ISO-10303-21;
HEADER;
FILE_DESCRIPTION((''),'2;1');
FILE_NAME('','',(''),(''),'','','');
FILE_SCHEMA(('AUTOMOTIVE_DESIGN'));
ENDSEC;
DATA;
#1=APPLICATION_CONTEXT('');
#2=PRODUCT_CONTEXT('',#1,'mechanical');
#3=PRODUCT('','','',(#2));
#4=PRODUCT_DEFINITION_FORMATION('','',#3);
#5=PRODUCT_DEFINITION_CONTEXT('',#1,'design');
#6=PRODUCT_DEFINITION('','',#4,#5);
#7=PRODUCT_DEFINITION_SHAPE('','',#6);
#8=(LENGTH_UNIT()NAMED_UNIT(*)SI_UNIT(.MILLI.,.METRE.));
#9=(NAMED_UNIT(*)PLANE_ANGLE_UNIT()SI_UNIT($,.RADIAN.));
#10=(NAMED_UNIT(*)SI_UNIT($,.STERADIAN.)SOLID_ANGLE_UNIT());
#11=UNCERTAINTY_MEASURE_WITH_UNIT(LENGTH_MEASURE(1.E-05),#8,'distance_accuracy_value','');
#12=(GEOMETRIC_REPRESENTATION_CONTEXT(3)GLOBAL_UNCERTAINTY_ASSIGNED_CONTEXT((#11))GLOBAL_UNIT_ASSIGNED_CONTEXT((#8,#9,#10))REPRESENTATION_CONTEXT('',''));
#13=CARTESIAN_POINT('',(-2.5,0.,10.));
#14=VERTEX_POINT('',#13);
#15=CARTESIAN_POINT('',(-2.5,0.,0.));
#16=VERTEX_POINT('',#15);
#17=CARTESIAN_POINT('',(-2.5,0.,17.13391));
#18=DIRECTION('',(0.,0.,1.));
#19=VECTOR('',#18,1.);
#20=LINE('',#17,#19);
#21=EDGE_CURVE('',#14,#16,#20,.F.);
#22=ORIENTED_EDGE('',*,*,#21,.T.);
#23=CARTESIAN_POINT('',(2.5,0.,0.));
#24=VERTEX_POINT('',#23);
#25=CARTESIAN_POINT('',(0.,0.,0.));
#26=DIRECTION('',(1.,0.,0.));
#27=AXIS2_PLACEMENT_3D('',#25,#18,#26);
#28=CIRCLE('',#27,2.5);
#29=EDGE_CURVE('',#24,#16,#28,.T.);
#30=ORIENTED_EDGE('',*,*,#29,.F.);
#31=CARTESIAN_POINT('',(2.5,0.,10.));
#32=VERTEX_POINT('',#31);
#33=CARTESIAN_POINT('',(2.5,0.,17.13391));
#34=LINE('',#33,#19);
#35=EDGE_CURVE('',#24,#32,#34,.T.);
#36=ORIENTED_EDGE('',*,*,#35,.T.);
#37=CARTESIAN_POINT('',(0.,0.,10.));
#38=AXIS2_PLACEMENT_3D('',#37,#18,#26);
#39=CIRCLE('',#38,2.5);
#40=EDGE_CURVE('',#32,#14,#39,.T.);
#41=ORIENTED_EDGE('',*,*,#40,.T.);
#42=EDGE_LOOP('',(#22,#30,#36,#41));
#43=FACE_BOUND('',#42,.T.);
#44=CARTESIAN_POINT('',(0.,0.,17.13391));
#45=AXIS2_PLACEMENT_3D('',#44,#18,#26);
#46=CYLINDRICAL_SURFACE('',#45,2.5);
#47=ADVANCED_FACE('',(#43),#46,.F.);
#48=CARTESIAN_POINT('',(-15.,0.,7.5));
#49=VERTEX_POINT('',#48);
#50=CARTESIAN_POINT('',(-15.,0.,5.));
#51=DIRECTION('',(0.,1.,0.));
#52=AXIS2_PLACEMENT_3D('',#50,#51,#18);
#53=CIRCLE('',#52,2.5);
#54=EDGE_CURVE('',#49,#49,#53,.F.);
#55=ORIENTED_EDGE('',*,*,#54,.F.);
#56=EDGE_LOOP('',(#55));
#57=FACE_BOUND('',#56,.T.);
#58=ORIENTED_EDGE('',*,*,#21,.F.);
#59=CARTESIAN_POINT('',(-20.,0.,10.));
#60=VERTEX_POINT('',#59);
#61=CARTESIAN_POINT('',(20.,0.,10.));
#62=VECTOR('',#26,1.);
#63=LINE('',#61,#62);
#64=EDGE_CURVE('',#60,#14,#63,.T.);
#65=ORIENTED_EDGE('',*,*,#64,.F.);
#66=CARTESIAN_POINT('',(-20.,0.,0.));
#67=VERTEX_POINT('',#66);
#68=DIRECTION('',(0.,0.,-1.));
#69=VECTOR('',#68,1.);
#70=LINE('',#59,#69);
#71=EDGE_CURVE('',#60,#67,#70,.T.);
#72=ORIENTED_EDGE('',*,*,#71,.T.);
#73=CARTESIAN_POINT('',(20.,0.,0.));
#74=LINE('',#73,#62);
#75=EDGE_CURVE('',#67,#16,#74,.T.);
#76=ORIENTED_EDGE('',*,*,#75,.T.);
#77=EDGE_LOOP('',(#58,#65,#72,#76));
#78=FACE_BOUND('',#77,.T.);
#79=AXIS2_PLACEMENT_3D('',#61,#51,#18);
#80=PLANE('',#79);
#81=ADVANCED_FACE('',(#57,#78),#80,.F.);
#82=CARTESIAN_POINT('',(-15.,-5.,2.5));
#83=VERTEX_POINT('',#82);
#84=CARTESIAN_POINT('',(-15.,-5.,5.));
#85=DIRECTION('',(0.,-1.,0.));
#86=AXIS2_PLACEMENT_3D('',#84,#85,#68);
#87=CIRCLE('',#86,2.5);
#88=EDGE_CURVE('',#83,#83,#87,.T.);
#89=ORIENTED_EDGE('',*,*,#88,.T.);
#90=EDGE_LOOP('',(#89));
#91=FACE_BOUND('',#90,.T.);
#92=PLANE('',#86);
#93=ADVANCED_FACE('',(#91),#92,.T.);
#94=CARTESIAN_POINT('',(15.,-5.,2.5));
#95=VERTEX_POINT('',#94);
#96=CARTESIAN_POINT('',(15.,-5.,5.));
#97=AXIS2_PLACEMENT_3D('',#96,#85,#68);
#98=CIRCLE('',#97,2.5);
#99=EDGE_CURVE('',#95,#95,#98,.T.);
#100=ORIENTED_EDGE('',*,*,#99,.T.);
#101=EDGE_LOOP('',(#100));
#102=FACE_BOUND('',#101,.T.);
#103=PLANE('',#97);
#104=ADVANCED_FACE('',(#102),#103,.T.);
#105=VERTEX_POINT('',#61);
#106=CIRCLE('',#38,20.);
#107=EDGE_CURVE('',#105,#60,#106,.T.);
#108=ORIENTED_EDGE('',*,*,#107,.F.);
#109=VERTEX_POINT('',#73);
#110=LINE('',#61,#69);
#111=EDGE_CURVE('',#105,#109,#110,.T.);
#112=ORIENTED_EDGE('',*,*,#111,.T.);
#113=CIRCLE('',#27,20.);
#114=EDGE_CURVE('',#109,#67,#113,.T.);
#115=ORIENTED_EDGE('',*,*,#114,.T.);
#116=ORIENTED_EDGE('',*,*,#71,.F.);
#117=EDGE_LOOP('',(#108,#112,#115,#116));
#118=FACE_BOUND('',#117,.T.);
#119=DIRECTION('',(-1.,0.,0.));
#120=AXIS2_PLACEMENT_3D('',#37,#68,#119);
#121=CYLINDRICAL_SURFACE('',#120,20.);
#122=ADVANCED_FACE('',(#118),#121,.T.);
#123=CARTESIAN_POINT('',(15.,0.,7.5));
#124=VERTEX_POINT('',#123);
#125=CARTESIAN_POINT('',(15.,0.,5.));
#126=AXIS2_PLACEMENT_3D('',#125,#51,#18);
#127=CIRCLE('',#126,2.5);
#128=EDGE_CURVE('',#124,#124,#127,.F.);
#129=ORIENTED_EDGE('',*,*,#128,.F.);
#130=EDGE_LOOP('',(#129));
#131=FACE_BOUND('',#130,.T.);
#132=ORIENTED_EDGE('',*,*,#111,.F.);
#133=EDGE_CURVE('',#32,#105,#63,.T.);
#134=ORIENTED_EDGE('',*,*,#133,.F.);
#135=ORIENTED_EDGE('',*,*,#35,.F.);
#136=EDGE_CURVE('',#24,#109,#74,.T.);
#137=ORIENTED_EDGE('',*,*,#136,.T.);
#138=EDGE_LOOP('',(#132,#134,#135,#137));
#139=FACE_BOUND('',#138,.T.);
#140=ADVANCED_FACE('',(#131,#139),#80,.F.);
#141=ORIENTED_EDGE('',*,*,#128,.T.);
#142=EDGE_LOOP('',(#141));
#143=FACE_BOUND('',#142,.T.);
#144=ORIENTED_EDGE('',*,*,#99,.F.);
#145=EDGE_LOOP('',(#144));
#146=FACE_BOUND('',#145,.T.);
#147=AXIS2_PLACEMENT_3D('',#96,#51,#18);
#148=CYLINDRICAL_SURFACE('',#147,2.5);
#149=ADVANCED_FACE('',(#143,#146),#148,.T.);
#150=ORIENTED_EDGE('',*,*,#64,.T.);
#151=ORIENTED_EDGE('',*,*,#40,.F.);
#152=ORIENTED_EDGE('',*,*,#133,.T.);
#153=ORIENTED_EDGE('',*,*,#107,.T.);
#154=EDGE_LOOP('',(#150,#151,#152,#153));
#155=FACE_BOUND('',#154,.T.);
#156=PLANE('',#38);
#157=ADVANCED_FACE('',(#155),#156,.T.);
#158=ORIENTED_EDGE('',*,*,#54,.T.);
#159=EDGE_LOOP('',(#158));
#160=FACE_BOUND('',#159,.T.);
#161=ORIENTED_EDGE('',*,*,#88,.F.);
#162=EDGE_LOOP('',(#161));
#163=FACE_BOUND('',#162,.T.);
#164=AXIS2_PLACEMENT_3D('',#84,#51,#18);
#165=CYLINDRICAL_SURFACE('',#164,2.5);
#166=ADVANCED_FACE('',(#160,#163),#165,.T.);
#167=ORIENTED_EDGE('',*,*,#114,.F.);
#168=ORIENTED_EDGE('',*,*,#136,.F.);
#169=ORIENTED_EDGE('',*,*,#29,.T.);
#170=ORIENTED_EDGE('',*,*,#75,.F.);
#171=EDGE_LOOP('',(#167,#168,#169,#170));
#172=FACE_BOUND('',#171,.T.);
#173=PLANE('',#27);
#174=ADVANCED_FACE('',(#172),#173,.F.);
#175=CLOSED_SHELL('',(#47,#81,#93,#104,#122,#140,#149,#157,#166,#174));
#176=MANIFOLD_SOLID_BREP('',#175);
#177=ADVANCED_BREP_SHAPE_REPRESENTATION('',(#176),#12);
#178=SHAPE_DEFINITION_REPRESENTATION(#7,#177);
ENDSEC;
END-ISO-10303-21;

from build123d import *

# Parameters (mm, degrees)
BOSS_EXTRUDE1_DEPTH = 10
SKETCH4_W           = 10
SKETCH4_H           = 2.5
SKETCH5_R           = 2.5
BOSS_EXTRUDE2_DEPTH = 5


with BuildPart() as part:
    # Sketch2 → Boss-Extrude1 (new body)
    with BuildSketch(Plane.XY):
        with BuildLine():
            Line((20, 0), (-20, 0))
            ThreePointArc((-20, 0), (0, 20), (20, 0))
        make_face()
    extrude(amount=BOSS_EXTRUDE1_DEPTH)

    # Sketch4 → Cut-Revolve1 (revolve, cut)
    with BuildSketch(Plane(origin=(0, 0, 0), x_dir=(0, 0, -1), z_dir=(1, 0, 0))):
        with Locations((-5, 1.25)):
            Rectangle(SKETCH4_W, SKETCH4_H)
    revolve(axis=Axis((0, 0, 17.133909945), (0, 0, -1)), mode=Mode.SUBTRACT)

    # Sketch5 → Boss-Extrude2 (add)
    with BuildSketch(Plane.XZ):
        with Locations((-15, 5)):
            Circle(SKETCH5_R)
        with Locations((15, 5)):
            Circle(SKETCH5_R)
    extrude(amount=BOSS_EXTRUDE2_DEPTH)


solid = part.part
